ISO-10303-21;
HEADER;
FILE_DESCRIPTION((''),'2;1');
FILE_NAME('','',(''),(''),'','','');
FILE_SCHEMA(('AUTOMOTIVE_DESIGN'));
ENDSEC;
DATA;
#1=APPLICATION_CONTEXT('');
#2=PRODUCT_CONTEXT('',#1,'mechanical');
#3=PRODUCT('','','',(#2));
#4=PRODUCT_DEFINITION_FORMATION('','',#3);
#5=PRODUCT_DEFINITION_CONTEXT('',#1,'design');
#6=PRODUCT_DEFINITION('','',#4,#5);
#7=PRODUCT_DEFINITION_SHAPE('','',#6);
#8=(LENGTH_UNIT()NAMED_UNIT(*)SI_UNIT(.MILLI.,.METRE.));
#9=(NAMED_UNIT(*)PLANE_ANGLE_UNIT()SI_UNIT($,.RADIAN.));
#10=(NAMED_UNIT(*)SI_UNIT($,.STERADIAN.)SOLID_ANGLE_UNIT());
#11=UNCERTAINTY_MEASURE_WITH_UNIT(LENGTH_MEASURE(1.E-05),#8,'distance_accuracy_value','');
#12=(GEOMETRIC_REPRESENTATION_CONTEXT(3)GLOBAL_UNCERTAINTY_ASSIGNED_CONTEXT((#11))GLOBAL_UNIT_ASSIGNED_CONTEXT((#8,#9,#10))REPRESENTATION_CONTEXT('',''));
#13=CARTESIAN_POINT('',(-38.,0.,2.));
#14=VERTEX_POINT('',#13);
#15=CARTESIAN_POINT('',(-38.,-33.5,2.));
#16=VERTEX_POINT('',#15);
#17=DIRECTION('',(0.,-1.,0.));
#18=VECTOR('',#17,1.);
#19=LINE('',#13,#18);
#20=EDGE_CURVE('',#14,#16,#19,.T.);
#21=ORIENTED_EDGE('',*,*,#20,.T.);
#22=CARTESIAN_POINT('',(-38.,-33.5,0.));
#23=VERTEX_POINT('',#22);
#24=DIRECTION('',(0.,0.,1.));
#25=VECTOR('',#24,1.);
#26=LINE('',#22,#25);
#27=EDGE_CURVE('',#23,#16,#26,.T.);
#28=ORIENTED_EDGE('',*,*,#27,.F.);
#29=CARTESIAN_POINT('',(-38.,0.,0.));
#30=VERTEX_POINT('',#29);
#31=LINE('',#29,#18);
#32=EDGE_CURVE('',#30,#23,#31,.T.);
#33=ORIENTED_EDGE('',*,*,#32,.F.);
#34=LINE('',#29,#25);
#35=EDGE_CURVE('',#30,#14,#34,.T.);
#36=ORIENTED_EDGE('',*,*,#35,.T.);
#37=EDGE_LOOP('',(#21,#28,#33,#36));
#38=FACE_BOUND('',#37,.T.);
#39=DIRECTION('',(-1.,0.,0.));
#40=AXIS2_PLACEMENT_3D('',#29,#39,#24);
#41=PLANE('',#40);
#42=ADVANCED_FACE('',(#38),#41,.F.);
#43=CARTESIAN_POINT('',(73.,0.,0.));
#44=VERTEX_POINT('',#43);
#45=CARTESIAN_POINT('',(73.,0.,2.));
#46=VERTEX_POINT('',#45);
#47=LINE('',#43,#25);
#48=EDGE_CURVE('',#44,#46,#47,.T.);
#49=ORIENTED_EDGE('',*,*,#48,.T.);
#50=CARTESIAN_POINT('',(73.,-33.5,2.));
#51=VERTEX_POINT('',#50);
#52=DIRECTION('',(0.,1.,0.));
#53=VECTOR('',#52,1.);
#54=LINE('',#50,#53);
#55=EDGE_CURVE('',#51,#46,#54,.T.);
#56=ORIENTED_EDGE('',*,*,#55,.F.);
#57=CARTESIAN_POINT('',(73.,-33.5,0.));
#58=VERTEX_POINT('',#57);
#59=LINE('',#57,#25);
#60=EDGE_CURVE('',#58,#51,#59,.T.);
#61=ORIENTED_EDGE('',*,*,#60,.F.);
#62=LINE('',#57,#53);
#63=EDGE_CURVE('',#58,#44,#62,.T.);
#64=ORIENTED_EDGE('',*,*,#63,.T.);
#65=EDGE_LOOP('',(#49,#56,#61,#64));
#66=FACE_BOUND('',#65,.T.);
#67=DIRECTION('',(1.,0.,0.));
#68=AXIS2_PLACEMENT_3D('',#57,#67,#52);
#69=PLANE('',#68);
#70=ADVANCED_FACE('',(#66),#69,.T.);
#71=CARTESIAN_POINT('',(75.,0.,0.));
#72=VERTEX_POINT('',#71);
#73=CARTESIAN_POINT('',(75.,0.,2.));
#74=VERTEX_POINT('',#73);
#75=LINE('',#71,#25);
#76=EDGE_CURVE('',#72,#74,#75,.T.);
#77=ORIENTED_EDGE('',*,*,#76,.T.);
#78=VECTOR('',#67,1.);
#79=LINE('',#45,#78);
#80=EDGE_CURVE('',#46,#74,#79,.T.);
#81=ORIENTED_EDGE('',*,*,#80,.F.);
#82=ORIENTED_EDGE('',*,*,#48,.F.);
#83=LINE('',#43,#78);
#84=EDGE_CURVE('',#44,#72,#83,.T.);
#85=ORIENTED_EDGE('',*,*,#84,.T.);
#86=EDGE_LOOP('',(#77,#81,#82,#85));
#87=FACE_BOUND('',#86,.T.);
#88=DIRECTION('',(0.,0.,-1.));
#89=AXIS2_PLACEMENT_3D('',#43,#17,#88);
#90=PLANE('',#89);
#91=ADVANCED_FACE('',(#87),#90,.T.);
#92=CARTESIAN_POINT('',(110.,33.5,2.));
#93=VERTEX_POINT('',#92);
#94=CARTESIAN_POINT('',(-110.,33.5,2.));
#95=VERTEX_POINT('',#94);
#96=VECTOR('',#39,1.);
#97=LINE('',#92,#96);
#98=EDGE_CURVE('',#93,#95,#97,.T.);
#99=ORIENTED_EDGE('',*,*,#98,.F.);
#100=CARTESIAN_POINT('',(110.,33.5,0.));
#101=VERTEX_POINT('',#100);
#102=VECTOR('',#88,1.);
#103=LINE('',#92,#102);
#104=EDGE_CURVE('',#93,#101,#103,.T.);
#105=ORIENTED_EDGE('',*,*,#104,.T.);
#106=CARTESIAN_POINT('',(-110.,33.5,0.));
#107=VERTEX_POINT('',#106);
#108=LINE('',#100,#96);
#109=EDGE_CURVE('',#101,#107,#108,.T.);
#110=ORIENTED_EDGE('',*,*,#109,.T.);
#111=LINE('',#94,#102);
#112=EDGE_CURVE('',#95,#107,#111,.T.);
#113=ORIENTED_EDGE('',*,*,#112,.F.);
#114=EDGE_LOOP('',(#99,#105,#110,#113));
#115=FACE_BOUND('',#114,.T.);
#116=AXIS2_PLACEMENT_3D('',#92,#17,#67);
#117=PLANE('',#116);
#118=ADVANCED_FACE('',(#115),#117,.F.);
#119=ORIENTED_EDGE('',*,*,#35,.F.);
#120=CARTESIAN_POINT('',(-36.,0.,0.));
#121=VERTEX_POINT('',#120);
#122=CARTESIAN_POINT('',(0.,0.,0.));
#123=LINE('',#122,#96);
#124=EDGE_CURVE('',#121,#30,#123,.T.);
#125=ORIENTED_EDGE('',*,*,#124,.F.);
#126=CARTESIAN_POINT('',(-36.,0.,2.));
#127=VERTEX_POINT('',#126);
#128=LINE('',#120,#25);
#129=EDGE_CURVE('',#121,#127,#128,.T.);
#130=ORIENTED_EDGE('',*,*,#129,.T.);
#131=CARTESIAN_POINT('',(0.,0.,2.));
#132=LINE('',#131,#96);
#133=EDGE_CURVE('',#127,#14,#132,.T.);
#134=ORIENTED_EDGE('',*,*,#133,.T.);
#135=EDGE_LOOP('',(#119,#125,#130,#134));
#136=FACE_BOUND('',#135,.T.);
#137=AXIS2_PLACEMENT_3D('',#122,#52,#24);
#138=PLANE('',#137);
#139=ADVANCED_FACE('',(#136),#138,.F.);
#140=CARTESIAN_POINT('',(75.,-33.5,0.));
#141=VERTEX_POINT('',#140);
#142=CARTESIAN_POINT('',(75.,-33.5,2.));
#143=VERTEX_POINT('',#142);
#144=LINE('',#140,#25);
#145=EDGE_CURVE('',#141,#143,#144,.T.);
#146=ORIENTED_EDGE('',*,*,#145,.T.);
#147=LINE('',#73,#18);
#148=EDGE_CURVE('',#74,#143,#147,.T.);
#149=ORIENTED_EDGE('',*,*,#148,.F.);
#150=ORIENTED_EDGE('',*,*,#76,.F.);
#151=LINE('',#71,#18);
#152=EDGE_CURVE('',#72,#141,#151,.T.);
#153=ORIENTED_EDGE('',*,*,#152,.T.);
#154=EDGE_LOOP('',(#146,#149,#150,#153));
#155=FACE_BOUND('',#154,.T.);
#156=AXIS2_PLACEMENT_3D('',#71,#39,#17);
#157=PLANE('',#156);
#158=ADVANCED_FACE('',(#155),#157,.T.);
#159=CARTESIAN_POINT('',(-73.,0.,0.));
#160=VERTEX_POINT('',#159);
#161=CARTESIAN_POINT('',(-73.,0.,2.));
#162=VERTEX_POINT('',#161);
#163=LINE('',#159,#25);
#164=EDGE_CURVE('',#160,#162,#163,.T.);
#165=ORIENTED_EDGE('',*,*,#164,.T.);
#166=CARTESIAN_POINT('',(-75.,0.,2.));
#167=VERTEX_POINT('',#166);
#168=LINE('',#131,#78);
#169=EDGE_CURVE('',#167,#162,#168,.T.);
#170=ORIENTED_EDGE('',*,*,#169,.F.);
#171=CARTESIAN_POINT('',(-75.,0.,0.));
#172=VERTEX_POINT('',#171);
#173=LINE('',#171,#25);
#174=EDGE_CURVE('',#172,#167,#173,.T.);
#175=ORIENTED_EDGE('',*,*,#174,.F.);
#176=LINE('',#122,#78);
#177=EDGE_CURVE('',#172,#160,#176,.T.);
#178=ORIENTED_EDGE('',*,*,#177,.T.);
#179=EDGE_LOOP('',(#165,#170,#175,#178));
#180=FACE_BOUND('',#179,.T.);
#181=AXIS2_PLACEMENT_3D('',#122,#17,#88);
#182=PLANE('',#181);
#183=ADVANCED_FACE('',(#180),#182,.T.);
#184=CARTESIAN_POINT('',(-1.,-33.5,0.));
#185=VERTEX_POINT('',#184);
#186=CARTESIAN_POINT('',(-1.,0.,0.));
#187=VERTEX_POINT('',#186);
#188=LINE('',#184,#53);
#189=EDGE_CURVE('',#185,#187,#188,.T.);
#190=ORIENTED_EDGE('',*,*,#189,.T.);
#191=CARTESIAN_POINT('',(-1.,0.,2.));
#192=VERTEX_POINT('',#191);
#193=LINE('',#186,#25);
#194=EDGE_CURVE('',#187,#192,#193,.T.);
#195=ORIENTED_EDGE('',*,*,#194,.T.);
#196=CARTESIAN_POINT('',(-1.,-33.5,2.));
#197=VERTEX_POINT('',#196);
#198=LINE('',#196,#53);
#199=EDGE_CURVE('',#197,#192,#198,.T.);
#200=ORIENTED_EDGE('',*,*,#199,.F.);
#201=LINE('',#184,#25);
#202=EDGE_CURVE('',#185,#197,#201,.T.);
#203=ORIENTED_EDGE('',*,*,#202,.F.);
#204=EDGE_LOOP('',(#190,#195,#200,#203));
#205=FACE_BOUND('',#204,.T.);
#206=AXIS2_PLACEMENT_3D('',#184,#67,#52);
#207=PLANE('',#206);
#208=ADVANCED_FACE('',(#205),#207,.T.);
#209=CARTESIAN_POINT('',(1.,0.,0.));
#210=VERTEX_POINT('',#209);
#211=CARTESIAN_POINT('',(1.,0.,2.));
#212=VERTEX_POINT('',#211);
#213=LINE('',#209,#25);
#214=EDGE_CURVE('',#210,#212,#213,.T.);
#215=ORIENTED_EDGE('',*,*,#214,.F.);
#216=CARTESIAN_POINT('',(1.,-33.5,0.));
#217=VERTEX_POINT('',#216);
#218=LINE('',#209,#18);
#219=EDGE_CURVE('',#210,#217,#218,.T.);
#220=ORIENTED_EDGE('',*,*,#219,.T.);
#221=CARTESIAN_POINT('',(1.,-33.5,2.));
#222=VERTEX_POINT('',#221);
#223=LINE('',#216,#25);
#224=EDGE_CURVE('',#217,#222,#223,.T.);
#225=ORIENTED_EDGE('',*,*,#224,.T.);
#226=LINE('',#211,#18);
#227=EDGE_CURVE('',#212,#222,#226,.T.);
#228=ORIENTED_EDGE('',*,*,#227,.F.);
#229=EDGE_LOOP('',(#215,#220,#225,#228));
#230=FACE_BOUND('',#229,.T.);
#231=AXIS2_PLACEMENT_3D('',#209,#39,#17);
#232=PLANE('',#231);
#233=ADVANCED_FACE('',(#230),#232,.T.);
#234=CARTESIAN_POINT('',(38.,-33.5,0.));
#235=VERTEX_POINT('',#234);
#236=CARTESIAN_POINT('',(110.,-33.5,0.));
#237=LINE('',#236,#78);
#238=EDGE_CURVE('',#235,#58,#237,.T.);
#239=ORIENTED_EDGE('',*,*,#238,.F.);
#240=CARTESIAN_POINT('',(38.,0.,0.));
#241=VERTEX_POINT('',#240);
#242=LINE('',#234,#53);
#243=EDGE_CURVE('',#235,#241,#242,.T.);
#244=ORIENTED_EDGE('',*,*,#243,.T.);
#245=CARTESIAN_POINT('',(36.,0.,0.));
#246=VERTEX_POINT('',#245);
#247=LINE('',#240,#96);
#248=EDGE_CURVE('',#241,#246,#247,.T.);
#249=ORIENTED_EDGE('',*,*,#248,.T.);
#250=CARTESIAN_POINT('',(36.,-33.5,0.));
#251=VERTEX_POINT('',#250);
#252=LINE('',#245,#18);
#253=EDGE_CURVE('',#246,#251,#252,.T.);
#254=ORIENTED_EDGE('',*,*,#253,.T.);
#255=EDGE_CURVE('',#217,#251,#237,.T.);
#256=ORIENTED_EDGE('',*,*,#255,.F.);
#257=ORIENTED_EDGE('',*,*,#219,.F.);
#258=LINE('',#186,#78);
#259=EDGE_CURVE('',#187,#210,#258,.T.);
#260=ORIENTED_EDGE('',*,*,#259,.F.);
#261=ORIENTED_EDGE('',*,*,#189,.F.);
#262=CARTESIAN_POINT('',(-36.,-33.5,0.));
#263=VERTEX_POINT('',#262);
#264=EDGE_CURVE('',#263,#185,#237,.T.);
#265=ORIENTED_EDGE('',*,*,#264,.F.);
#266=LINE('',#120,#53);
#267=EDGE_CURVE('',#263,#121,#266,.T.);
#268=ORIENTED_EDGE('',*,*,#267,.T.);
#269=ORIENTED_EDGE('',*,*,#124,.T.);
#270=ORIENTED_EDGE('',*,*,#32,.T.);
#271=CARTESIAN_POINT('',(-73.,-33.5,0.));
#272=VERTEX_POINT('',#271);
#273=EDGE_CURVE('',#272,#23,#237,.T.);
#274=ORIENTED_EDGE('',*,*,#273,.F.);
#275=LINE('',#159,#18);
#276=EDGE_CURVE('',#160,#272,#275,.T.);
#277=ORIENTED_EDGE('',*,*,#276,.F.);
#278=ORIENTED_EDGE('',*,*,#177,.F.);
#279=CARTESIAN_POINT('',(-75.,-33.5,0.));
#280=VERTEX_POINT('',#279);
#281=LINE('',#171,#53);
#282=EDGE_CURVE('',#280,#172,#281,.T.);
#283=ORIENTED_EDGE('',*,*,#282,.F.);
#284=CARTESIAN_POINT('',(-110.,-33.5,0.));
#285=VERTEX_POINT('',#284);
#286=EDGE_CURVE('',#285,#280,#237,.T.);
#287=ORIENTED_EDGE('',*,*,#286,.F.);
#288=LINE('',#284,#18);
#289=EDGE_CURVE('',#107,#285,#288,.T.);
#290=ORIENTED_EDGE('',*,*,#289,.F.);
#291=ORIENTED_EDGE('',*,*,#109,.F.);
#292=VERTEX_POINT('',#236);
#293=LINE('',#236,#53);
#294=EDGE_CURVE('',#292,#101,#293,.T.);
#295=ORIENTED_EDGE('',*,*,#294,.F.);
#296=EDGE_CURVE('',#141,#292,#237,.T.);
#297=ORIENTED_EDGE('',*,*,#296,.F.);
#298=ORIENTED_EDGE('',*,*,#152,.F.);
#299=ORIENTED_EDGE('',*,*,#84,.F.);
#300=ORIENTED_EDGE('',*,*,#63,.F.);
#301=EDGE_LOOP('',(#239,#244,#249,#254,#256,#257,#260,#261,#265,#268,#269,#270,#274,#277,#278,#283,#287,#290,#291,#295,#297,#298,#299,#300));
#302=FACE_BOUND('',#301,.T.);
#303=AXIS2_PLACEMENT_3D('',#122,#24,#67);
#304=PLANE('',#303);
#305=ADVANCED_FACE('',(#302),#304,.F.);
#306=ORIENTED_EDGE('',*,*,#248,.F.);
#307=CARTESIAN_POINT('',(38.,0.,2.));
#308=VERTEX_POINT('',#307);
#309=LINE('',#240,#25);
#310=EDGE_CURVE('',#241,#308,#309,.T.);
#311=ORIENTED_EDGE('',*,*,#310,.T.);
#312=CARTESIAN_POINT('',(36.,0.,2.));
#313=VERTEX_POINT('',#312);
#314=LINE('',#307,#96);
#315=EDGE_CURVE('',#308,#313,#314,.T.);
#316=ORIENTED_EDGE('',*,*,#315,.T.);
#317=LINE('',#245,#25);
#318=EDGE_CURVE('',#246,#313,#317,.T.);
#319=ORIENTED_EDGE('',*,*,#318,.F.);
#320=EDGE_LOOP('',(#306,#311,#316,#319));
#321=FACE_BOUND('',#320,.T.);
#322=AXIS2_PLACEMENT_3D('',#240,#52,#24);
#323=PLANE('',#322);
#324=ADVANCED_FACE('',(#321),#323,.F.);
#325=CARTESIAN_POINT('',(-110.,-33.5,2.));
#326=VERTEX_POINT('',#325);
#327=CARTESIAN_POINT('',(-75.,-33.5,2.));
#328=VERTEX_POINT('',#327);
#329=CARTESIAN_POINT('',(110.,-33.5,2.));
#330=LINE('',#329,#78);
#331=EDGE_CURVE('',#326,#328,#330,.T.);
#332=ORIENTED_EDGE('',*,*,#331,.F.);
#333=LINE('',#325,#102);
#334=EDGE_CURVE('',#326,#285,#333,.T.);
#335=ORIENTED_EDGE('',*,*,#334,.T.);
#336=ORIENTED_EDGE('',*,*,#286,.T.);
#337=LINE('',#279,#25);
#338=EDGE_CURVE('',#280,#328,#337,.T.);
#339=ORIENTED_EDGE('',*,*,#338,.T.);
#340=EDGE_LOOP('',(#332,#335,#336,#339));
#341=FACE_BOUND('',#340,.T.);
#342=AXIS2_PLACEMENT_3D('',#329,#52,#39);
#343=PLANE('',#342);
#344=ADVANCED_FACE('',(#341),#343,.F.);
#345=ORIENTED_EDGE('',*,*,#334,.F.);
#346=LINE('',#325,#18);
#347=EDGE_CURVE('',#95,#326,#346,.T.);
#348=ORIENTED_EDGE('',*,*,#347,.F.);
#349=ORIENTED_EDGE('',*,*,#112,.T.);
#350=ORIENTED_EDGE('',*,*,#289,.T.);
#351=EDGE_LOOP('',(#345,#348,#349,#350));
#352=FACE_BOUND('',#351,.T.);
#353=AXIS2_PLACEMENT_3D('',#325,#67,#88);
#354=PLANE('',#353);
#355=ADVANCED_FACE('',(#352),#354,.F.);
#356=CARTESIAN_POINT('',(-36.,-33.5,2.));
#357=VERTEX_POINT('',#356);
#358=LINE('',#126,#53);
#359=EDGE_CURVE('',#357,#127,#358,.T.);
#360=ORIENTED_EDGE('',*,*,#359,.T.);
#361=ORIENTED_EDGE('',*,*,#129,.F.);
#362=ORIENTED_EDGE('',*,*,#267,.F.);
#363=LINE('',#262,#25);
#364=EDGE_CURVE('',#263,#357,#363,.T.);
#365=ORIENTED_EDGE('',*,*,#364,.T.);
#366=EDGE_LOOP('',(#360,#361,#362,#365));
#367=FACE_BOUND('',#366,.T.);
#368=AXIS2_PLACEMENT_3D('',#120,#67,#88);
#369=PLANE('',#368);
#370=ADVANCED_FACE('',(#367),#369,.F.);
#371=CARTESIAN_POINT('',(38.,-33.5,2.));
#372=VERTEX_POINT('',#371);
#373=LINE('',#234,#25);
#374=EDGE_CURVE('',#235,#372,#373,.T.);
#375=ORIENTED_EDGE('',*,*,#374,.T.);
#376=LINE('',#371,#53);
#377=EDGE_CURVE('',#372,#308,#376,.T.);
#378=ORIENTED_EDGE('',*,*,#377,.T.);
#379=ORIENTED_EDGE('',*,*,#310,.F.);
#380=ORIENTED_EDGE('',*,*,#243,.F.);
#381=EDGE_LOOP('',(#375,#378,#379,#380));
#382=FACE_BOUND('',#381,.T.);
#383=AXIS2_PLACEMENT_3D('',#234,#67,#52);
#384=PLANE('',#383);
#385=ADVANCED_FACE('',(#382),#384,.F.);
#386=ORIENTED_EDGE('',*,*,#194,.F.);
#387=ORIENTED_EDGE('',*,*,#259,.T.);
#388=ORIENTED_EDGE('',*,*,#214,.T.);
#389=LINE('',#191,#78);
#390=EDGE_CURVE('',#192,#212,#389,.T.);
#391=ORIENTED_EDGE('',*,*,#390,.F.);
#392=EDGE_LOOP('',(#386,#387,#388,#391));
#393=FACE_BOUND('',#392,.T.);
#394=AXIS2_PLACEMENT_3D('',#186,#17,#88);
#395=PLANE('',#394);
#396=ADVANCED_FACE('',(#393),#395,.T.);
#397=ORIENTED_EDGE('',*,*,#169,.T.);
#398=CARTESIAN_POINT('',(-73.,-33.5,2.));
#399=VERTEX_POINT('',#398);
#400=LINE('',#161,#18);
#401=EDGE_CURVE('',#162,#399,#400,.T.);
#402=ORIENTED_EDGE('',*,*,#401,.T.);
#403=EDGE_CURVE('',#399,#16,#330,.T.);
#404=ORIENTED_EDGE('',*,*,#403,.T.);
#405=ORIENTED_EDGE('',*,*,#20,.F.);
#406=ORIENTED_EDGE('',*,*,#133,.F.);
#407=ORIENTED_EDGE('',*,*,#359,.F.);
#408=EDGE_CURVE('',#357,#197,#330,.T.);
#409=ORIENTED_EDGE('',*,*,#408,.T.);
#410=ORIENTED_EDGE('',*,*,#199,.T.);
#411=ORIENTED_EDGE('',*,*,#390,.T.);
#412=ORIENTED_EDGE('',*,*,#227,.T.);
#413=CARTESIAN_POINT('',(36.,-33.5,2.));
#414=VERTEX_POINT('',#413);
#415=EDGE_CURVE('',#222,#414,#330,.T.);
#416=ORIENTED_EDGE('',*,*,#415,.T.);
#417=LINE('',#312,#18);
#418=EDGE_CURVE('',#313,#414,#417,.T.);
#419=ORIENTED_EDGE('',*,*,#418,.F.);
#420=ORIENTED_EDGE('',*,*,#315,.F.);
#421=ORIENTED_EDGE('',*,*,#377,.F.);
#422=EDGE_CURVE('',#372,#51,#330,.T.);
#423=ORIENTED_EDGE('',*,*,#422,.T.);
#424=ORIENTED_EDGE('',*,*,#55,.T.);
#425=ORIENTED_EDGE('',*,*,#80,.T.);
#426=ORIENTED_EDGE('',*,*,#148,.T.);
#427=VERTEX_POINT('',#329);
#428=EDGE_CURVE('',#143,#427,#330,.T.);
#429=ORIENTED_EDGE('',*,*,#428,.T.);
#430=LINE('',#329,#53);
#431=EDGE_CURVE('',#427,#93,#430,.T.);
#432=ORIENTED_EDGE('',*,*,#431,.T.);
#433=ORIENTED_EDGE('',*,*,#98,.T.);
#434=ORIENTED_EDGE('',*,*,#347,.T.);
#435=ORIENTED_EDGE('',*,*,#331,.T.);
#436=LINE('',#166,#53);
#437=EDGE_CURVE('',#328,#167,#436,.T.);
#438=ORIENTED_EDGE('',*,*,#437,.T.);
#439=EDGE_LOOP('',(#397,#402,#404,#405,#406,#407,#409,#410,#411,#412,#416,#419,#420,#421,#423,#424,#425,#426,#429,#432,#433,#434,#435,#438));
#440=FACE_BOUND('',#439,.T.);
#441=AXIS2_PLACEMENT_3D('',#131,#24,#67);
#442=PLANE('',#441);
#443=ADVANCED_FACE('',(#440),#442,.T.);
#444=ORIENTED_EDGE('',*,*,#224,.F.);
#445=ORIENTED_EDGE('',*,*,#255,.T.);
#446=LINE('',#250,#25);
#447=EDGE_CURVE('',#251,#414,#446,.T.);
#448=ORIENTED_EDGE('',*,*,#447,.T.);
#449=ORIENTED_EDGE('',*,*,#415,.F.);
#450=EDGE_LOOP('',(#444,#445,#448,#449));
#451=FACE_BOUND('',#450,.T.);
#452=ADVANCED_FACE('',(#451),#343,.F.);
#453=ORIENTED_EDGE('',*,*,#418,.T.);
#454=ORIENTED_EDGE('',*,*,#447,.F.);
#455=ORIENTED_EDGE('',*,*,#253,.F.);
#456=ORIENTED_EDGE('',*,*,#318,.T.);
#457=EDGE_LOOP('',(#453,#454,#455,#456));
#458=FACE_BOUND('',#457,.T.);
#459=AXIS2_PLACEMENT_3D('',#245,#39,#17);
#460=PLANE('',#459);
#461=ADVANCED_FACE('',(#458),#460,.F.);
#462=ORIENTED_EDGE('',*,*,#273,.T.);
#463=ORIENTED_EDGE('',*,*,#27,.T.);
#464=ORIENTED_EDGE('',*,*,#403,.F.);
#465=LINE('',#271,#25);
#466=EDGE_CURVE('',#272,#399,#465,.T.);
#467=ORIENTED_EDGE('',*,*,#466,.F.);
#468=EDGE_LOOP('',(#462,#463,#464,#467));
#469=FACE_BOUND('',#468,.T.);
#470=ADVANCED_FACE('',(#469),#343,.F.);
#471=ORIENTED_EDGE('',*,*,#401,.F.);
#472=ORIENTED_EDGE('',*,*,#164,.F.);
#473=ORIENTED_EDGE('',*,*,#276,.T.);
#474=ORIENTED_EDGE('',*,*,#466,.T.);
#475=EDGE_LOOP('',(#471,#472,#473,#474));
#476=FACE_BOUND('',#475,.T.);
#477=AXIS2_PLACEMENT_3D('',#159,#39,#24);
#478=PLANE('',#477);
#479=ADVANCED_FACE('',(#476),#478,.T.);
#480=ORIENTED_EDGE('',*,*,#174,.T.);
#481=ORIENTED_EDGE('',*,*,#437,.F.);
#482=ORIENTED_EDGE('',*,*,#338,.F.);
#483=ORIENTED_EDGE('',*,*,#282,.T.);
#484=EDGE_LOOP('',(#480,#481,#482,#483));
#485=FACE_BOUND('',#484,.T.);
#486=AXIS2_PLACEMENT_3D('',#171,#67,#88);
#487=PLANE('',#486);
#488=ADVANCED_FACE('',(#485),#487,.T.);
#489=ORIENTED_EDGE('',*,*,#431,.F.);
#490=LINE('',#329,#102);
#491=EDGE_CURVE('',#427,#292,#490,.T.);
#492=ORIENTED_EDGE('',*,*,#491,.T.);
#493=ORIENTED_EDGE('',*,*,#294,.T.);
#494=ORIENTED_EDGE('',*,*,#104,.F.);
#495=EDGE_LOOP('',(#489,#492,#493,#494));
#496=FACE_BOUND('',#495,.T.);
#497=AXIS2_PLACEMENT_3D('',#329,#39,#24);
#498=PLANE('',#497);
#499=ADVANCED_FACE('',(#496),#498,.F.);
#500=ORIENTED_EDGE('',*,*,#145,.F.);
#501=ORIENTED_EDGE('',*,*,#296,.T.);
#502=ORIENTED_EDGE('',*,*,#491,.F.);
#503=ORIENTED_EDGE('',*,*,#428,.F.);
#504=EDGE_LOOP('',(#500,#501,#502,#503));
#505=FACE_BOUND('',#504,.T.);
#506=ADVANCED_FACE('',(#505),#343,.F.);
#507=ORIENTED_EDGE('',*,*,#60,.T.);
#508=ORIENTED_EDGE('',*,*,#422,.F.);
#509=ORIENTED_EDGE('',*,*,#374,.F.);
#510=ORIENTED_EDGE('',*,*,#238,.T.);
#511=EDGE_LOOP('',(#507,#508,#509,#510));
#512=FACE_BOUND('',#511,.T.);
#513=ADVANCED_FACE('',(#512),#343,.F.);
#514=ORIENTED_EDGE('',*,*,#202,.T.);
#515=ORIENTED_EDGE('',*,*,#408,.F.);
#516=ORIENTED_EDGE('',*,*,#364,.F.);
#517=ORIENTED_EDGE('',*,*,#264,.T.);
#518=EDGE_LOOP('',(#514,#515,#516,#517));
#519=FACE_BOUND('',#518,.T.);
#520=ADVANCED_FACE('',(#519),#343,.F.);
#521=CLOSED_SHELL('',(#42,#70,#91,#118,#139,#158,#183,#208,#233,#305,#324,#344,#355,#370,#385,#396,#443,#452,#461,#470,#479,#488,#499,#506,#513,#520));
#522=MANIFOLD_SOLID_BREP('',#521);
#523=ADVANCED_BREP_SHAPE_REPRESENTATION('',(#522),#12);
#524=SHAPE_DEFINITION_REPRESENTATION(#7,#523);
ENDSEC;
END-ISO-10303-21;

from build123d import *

# Parameters (mm, degrees)
SKETCH1_W           = 220
SKETCH1_H           = 67
BOSS_EXTRUDE1_DEPTH = 2
SKETCH2_W           = 2
SKETCH2_H           = 33.5
CUT_EXTRUDE1_DEPTH  = 116.005434654


with BuildPart() as part:
    # Sketch1 → Boss-Extrude1 (new body)
    with BuildSketch(Plane.XY):
        Rectangle(SKETCH1_W, SKETCH1_H)
    extrude(amount=BOSS_EXTRUDE1_DEPTH)

    # Sketch2 → Cut-Extrude1 (cut, through all)
    with BuildSketch(Plane.XY.offset(2)):
        with Locations((-37, -16.75)):
            Rectangle(SKETCH2_W, SKETCH2_H)
        with Locations((-74, -16.75)):
            Rectangle(SKETCH2_W, SKETCH2_H)
        with Locations((74, -16.75)):
            Rectangle(SKETCH2_W, SKETCH2_H)
        with Locations((37, -16.75)):
            Rectangle(SKETCH2_W, SKETCH2_H)
        with Locations((0, -16.75)):
            Rectangle(SKETCH2_W, SKETCH2_H)
    extrude(amount=-CUT_EXTRUDE1_DEPTH, mode=Mode.SUBTRACT)


solid = part.part
